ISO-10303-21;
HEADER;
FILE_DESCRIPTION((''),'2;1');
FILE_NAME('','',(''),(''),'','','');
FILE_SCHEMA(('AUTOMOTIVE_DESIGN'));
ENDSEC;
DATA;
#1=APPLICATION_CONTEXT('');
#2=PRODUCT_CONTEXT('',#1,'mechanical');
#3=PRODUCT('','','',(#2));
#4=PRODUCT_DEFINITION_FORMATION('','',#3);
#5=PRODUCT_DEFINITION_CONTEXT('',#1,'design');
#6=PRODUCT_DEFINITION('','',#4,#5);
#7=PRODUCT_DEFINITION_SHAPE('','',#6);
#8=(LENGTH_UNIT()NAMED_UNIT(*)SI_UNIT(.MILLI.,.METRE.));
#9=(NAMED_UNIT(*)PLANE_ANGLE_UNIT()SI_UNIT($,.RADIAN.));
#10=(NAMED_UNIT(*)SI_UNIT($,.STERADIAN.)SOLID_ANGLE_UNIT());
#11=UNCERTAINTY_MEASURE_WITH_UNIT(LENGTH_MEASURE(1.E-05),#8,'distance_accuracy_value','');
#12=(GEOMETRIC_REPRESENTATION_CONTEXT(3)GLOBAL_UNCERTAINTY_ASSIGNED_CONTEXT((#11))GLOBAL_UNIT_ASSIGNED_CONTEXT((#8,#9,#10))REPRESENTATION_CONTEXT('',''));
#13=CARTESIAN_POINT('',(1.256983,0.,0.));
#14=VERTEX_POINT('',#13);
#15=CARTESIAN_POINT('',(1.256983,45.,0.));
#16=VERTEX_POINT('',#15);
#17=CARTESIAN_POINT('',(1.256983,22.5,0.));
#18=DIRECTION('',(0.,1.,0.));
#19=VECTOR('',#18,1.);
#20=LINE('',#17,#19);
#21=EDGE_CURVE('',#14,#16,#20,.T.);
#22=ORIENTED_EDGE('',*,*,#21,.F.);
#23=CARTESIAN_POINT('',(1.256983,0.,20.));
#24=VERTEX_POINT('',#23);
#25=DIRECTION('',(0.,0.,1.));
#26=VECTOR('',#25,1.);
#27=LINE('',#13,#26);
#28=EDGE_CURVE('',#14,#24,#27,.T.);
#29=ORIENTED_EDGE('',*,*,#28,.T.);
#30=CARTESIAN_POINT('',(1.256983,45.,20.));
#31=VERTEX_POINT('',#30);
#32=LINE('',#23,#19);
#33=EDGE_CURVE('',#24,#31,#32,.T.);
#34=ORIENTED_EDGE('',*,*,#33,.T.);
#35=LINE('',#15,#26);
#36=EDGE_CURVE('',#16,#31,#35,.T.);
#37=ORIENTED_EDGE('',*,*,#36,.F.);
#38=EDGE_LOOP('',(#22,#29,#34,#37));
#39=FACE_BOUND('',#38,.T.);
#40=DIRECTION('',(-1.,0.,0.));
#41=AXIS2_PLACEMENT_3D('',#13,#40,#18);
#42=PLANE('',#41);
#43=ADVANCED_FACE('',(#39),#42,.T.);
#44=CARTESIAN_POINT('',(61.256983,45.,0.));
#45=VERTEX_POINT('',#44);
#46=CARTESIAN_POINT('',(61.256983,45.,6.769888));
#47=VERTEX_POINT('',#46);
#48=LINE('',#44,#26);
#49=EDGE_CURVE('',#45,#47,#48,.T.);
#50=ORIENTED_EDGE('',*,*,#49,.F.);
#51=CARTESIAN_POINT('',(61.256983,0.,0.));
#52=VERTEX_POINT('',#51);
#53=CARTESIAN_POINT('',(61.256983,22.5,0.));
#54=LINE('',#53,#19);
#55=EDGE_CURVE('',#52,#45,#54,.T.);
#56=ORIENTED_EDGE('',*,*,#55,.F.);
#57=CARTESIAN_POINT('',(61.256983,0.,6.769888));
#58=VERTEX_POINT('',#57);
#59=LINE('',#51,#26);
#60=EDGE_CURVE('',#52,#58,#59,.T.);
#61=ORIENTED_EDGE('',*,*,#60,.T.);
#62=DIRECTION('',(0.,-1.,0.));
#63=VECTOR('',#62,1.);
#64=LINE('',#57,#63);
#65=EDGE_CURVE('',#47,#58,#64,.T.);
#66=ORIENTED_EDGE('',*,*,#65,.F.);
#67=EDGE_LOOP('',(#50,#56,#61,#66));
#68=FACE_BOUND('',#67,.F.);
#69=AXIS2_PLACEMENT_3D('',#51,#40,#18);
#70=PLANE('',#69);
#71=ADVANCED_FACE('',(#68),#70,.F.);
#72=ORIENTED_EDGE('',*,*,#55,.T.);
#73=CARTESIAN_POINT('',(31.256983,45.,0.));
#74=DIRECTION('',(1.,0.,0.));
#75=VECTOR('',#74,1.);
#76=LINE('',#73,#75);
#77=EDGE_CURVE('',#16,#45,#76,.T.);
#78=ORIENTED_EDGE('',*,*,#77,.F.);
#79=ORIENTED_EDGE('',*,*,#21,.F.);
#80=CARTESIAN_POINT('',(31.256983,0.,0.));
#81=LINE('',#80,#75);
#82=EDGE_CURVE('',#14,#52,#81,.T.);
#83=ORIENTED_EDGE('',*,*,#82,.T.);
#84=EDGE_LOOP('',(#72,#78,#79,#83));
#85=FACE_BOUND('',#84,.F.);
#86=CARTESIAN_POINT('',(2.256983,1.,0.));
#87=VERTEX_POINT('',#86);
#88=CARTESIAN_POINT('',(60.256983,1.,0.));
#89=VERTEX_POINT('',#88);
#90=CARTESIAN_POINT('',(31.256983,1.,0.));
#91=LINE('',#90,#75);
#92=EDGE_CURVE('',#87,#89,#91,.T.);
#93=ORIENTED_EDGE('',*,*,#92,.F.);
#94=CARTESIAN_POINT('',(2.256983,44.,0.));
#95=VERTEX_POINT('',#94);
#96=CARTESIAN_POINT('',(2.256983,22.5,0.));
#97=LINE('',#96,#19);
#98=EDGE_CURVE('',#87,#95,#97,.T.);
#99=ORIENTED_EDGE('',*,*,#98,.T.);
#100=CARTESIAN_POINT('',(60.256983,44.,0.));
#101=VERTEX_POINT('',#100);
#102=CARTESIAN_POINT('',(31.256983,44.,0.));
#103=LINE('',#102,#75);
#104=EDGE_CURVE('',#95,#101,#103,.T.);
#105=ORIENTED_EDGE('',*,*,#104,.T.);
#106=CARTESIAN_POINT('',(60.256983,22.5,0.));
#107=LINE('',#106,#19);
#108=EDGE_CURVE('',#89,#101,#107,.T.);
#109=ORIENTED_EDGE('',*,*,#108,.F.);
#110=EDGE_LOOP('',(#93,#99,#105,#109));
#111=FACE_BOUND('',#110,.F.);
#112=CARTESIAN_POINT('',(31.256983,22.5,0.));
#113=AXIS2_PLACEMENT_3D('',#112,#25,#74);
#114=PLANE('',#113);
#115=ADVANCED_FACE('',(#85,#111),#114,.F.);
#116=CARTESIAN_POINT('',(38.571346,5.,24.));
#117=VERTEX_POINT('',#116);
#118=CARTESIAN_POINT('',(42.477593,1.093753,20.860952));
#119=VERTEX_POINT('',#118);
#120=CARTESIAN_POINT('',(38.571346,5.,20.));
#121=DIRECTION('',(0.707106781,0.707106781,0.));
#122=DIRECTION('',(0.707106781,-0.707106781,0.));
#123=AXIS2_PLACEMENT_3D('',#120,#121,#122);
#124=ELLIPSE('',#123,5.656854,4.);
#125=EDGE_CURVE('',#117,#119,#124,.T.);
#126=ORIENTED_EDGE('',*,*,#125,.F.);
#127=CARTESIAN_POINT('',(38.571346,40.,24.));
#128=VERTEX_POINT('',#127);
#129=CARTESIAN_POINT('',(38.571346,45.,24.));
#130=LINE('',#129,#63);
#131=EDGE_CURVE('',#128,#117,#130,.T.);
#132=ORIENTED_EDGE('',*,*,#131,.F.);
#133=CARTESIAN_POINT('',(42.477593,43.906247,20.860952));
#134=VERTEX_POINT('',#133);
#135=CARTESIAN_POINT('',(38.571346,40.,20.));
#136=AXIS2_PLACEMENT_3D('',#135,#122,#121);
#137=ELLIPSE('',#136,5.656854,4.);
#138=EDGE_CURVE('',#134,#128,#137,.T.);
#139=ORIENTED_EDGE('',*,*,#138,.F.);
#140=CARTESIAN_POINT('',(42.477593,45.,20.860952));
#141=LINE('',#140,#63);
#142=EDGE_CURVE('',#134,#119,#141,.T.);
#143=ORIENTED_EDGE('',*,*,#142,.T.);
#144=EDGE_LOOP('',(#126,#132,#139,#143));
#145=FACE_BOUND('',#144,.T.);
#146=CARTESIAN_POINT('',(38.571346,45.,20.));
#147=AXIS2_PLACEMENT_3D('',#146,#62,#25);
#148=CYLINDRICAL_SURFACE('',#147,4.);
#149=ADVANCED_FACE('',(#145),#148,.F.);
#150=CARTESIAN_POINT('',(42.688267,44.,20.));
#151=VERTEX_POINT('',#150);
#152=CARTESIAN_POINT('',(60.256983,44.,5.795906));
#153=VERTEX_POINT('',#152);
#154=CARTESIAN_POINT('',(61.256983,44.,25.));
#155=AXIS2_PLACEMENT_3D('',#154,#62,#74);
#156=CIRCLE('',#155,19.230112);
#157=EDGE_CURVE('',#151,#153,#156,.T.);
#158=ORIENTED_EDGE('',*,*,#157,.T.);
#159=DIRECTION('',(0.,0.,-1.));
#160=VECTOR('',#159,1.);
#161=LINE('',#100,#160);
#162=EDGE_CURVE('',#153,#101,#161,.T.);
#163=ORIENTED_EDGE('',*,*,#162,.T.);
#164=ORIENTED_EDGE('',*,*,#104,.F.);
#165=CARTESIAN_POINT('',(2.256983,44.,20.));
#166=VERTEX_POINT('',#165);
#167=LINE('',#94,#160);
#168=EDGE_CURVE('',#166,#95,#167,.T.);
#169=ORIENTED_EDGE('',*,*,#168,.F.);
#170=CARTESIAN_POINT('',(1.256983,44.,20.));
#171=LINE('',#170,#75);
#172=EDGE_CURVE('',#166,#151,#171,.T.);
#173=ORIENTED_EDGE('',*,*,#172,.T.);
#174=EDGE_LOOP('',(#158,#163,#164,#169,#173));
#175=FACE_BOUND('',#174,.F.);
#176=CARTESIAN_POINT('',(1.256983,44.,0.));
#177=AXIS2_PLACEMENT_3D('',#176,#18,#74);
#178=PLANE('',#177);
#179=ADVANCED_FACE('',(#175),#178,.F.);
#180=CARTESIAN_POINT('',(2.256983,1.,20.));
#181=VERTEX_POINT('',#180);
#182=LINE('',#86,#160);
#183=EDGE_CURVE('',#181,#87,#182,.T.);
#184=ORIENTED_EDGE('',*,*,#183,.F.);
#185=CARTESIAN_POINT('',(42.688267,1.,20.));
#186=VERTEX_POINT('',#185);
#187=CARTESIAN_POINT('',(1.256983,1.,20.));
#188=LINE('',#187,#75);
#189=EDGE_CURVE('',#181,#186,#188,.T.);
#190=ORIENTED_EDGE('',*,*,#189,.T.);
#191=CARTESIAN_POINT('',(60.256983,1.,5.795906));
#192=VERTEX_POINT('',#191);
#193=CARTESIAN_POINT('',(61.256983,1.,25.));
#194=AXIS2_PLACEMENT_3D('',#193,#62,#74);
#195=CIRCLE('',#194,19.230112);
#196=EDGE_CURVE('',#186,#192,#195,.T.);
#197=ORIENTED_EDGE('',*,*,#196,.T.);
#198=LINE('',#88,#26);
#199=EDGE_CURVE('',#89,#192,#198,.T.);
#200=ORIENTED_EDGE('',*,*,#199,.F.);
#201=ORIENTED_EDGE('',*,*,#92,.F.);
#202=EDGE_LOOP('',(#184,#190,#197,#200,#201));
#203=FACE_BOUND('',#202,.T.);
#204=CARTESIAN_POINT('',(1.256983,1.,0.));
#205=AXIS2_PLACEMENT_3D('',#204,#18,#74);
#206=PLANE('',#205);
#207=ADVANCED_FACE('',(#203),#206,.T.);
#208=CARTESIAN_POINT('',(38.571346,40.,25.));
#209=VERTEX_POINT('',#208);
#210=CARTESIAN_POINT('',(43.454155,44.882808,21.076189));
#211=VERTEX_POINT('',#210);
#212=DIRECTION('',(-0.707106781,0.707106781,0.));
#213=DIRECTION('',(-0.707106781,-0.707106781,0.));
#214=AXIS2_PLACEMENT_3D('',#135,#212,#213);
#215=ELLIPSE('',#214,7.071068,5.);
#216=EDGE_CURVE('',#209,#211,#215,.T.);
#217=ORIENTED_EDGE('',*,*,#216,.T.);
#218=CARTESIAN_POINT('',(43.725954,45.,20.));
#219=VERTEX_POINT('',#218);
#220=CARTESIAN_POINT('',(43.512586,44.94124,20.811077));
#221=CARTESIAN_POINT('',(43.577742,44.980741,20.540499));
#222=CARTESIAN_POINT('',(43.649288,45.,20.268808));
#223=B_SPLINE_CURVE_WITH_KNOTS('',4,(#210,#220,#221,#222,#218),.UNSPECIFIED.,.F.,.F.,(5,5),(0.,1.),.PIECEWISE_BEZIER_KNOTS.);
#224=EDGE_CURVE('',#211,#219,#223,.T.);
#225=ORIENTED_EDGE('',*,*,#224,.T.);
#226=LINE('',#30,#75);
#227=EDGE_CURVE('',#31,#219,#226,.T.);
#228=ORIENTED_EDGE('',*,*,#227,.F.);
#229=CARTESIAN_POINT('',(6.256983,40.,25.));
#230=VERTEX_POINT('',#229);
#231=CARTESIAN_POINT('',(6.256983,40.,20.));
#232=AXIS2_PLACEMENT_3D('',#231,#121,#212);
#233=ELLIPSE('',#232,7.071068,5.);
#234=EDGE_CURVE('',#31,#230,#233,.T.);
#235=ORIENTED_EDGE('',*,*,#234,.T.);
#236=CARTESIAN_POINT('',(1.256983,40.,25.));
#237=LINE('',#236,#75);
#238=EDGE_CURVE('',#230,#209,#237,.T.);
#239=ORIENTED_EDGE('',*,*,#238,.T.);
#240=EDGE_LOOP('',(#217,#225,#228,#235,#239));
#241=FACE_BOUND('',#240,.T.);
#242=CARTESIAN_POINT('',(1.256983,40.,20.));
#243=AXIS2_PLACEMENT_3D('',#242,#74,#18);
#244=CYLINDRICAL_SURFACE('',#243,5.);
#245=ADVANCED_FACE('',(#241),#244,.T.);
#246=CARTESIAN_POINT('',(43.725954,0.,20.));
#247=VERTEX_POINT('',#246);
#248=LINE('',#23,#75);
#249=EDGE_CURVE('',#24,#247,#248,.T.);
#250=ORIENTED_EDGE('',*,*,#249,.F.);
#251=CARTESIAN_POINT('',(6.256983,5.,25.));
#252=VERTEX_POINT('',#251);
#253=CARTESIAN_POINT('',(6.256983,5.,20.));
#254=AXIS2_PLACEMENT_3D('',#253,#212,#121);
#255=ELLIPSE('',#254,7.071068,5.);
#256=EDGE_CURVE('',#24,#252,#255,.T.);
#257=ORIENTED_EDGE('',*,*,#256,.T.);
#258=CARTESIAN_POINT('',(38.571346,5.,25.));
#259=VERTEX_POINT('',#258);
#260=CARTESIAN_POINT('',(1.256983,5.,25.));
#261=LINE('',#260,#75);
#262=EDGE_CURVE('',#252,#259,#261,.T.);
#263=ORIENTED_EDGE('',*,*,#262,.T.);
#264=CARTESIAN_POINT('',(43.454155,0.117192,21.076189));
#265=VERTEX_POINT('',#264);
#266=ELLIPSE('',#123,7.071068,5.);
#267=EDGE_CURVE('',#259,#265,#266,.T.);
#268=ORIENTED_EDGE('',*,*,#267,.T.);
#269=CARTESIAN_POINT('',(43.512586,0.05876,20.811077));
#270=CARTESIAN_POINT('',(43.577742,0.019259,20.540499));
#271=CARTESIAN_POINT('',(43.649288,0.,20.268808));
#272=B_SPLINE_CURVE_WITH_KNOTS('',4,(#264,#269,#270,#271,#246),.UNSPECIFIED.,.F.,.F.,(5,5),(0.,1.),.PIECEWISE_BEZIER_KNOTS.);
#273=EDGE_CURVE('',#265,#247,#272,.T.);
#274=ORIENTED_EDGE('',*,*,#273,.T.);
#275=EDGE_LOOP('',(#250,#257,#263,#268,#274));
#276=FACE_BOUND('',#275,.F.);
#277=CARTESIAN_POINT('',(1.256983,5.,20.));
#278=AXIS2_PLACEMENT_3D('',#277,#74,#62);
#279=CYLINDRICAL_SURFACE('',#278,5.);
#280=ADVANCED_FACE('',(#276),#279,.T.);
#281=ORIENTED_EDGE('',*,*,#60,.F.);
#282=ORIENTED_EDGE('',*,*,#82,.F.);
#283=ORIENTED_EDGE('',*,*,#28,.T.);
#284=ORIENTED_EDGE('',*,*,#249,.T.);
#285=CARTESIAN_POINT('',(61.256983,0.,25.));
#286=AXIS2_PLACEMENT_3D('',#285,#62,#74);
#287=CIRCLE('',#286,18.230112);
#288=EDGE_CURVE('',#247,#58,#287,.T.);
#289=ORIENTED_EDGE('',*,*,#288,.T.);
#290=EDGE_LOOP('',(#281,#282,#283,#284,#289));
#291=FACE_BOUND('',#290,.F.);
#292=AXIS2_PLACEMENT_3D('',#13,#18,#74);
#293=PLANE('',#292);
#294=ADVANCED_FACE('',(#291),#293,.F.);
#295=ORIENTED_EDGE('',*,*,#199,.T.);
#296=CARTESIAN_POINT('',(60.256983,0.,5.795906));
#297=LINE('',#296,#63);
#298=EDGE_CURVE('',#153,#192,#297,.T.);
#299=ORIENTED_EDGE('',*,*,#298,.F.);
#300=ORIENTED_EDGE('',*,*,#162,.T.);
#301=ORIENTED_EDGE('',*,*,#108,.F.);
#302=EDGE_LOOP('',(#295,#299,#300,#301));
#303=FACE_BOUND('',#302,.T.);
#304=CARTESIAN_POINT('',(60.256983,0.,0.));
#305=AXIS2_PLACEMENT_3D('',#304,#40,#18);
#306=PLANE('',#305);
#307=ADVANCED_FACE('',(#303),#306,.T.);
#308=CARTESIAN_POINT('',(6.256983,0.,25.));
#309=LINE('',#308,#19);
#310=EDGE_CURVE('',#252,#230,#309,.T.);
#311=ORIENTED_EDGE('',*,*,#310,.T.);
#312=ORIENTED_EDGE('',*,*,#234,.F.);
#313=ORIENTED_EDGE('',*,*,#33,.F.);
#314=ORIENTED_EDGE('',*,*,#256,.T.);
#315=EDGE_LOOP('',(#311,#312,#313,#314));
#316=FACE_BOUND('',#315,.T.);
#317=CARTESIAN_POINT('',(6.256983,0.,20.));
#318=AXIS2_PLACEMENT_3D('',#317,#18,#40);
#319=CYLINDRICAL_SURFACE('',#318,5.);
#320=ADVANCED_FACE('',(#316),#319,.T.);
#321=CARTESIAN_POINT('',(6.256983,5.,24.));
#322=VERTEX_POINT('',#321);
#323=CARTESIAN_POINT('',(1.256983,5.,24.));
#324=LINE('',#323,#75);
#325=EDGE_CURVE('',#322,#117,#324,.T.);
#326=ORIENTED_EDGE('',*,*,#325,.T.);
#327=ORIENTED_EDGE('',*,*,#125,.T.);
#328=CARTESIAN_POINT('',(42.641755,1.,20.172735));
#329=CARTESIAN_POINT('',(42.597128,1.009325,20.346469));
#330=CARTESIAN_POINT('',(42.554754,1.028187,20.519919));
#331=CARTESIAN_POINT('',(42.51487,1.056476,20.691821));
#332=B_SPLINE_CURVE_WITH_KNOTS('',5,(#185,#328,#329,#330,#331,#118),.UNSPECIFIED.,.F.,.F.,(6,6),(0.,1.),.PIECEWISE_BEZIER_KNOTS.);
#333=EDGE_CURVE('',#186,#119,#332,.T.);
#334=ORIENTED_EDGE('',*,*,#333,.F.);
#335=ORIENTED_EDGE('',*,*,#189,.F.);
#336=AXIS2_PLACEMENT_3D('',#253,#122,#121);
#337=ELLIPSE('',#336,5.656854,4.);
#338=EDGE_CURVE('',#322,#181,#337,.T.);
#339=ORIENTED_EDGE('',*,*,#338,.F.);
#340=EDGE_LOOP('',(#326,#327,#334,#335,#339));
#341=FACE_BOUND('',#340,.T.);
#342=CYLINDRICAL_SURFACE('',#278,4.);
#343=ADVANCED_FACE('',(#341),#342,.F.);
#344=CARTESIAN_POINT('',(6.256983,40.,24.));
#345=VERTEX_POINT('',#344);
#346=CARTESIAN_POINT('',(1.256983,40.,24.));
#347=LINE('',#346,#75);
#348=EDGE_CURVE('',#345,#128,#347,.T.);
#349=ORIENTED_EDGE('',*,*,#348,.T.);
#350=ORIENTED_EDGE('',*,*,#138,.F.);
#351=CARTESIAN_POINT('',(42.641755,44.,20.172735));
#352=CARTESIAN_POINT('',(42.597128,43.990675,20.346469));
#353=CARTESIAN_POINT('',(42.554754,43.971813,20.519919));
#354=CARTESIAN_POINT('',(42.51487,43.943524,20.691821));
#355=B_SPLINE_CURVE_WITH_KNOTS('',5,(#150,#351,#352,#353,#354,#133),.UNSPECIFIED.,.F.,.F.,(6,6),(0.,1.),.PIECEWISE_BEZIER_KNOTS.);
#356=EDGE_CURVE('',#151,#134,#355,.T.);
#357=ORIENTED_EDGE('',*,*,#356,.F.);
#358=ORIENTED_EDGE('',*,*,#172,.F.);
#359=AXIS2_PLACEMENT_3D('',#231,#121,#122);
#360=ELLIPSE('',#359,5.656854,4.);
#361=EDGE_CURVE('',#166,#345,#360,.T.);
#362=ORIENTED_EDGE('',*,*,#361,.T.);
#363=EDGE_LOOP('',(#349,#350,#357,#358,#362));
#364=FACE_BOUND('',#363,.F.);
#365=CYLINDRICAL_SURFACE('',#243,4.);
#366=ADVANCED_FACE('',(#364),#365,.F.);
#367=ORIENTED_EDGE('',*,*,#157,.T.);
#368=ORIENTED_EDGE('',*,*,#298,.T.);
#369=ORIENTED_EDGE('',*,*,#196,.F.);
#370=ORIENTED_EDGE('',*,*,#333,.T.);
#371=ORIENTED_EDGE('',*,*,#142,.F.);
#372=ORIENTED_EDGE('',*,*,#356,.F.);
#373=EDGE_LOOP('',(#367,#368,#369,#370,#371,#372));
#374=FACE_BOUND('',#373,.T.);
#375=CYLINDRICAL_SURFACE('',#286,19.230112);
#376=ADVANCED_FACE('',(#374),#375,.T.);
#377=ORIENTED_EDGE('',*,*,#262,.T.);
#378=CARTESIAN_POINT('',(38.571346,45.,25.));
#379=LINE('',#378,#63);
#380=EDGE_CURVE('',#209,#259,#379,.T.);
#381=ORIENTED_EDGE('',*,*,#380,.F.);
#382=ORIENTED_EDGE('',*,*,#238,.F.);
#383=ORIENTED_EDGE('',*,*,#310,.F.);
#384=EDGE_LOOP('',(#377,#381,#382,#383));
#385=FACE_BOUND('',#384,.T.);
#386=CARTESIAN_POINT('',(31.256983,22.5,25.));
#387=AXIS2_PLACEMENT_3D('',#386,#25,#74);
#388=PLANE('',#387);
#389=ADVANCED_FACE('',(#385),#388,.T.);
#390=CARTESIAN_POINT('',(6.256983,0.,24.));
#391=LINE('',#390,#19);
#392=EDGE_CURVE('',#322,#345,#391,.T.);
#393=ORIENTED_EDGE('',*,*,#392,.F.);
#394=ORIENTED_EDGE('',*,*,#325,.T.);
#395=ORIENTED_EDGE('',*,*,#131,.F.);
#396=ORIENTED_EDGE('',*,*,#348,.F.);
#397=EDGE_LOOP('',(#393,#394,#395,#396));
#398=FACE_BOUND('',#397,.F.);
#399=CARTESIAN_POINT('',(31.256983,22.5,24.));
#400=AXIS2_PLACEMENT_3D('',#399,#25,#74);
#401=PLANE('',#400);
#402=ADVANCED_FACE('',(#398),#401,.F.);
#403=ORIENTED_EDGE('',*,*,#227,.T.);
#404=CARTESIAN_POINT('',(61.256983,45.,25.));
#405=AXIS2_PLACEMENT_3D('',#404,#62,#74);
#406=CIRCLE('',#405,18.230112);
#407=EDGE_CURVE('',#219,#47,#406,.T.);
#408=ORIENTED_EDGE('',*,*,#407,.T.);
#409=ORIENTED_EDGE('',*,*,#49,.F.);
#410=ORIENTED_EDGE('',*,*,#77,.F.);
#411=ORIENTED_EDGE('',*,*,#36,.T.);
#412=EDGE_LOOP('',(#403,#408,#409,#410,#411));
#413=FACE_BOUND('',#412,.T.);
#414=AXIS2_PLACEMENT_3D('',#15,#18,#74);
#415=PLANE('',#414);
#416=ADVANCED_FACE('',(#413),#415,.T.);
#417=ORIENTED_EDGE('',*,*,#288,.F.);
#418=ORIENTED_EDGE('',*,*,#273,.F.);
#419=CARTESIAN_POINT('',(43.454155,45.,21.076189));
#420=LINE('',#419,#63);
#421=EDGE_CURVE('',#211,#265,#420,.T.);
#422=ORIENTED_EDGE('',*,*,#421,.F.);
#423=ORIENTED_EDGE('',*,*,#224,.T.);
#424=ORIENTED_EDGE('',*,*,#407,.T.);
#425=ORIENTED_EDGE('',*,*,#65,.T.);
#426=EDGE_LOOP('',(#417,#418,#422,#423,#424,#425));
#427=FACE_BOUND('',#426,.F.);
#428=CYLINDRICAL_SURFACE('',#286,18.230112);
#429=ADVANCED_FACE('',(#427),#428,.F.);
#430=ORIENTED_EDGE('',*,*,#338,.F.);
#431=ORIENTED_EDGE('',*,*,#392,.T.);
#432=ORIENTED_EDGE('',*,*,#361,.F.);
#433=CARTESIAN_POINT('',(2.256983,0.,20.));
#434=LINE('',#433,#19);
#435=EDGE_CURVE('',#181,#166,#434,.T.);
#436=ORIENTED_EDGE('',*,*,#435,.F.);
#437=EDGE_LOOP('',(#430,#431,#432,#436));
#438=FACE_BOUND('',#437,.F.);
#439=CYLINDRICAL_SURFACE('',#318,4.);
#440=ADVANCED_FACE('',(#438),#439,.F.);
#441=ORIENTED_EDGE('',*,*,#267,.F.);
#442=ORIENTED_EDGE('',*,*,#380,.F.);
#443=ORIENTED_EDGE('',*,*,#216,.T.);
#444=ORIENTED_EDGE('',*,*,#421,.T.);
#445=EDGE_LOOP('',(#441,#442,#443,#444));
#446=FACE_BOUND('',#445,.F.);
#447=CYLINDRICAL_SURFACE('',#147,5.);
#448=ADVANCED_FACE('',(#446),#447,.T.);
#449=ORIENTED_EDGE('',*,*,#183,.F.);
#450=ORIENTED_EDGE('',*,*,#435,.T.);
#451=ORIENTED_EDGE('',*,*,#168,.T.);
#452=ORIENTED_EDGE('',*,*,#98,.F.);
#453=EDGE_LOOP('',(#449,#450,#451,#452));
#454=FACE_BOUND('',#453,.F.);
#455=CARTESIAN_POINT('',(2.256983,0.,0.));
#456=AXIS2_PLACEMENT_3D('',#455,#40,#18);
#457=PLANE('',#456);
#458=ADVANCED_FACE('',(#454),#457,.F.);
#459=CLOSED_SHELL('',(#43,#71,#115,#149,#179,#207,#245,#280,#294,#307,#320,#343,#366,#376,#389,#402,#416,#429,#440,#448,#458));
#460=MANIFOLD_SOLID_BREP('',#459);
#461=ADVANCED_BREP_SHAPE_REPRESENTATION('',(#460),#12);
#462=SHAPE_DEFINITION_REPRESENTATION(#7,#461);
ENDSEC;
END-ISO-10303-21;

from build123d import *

# Parameters (mm, degrees)
F0_W     = 60
F0_H     = 45
F1_DEPTH = 25
F2_R     = 18.230112
F3_DEPTH = 45.001
F4_R     = 5
F5_T     = -1


with BuildPart() as f1:
    # F0 (on Top) → F1 (new body)
    with BuildSketch(Plane.XY):
        with Locations((31.256983, 22.5)):
            Rectangle(F0_W, F0_H)
    extrude(amount=F1_DEPTH)

    # F2 (on face) → F3 (cut, through all)
    with BuildSketch(Plane.XZ):
        with Locations((61.256983, 25)):
            Circle(F2_R)
    extrude(amount=-F3_DEPTH, mode=Mode.SUBTRACT)

    # F4
    f4_edges = [f1.edges().sort_by_distance(p)[0] for p in [
        (43.026871, 22.5, 25),
        (22.141927, 0, 25),
        (1.256983, 22.5, 25),
        (22.141927, 45, 25),
    ]]
    fillet(f4_edges, radius=F4_R)

    # F5
    f5_openings = [f1.faces().sort_by_distance(p)[0] for p in [
        (31.256983, 22.5, 0),
    ]]
    offset(amount=F5_T, openings=f5_openings)


solid = f1.part
